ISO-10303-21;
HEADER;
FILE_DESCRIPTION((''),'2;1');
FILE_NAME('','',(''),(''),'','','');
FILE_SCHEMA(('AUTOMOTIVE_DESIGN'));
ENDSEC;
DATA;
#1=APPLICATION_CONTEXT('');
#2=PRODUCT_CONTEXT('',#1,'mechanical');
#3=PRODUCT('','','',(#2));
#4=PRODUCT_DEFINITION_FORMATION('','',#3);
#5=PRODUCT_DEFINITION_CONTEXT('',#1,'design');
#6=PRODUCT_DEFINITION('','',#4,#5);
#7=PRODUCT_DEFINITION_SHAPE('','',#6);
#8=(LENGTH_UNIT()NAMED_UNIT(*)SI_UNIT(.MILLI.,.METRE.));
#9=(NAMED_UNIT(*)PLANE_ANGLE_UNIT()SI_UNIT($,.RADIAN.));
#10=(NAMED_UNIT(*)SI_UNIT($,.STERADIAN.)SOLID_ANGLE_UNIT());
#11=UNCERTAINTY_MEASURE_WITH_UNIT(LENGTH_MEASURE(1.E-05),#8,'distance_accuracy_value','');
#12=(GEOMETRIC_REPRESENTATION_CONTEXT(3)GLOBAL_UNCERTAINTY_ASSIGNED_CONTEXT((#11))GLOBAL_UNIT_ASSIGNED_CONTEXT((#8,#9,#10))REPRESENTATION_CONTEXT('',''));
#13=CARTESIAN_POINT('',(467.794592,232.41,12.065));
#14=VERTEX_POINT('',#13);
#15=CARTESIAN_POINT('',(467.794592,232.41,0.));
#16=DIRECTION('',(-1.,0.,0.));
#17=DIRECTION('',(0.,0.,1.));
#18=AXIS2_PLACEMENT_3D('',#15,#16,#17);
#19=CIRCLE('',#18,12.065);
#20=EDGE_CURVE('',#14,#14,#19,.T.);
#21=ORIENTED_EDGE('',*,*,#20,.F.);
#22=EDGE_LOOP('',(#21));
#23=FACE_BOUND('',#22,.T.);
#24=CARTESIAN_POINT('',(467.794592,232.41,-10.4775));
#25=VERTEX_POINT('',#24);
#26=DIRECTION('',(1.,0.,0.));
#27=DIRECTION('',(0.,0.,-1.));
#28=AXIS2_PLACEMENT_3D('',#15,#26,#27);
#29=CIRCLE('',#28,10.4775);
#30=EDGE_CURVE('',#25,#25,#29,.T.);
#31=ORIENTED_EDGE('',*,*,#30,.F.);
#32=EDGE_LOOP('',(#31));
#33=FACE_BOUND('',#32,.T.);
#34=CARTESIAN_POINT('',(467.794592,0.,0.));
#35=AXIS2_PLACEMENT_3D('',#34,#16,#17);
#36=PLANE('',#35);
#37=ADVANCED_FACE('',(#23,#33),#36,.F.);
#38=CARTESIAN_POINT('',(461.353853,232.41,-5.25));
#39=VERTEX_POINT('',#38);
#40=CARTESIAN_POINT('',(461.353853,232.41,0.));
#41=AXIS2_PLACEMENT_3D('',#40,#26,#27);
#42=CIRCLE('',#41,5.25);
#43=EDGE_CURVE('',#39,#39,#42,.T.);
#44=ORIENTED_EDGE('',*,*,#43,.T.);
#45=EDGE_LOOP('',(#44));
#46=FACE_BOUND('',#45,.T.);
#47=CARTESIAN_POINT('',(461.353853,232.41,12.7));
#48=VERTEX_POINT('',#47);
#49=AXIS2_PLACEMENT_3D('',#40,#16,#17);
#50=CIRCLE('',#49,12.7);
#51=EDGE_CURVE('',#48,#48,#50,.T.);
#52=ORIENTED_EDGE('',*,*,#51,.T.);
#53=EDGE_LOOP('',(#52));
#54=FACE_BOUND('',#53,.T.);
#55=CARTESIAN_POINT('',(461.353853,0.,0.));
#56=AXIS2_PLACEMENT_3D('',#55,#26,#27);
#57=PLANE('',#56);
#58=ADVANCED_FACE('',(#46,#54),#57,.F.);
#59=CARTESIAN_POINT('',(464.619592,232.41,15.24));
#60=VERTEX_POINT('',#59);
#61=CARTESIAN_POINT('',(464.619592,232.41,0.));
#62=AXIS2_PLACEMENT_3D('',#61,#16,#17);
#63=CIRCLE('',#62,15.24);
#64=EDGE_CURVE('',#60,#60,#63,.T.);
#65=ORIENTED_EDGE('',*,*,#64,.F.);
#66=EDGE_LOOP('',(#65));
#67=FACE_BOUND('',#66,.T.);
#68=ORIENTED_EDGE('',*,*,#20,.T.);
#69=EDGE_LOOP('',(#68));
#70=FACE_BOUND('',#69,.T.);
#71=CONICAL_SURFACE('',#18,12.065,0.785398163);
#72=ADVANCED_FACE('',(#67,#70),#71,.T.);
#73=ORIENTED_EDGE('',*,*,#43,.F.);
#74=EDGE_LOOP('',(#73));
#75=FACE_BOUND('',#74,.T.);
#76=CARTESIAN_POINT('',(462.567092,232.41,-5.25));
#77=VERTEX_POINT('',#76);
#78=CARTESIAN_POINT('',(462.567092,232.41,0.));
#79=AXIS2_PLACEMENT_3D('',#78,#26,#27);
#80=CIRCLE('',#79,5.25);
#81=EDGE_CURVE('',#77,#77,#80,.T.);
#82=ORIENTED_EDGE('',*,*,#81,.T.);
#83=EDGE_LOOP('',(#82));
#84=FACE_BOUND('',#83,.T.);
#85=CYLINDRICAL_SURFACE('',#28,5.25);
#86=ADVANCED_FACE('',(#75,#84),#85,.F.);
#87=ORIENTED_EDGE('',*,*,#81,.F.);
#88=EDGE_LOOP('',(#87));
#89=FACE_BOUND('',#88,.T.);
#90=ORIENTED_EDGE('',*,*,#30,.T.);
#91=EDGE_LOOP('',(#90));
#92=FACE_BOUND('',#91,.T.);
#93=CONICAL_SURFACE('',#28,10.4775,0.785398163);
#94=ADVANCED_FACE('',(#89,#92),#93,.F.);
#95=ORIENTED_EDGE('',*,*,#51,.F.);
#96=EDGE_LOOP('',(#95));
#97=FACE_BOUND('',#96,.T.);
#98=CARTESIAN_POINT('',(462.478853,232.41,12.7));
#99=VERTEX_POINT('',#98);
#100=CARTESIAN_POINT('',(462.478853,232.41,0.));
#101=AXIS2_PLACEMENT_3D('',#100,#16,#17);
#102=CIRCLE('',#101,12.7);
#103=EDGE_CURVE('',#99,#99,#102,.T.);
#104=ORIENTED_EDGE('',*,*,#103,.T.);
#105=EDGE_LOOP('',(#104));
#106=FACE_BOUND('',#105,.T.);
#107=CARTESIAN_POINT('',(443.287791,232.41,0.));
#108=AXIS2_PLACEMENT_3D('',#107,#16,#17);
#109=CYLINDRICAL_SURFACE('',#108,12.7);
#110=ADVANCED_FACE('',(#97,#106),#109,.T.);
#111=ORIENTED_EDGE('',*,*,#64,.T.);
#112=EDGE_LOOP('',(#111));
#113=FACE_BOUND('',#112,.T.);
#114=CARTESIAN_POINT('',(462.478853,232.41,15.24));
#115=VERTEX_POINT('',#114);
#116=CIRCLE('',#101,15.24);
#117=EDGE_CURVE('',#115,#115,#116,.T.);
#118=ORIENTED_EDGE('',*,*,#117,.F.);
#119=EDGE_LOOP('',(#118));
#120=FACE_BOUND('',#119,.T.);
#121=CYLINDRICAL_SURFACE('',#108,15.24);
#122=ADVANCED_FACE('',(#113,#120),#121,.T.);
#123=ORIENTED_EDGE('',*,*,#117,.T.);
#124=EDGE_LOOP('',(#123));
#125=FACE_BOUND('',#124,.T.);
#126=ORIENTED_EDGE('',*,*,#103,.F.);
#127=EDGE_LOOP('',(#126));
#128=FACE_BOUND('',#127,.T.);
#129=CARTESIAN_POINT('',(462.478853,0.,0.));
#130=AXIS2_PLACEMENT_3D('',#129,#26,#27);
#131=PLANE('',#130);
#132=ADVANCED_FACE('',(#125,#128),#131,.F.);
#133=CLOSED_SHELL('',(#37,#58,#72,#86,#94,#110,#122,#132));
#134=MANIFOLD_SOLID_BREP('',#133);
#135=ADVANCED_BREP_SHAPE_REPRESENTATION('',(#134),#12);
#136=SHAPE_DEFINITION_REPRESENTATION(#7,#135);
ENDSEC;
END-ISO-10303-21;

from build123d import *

# Parameters (mm, degrees)
HOLE1_D           = 10.5
HOLE1_DEPTH       = 16.51
HOLE1_CSINK_D     = 20.955
HOLE1_CSINK_ANGLE = 90
HOLE1_TIP         = 3.15451825


with BuildPart() as part:
    # Sketch1 → Revolve1 (revolve)
    with BuildSketch(Plane.XY):
        Polygon((461.35385273, 245.11), (461.35385273, 232.41), (467.794592233, 232.41), (467.794592233, 244.475), (464.619592233, 247.65), (462.47885273, 247.65), (462.47885273, 245.11), align=None)
    revolve(axis=Axis((443.287790535, 232.41, 0), (1, 0, 0)))

    # Hole1
    with Locations(Plane(origin=(467.794592233, 0, 0), x_dir=(0, 0, -1), z_dir=(1, 0, 0))):
        with Locations((0, 232.41)):
            CounterSinkHole(HOLE1_D / 2, HOLE1_CSINK_D / 2, depth=HOLE1_DEPTH, counter_sink_angle=HOLE1_CSINK_ANGLE)
            with Locations((0, 0, -(HOLE1_DEPTH + HOLE1_TIP / 2))):  # 118° drill point
                Cone(0, HOLE1_D / 2, HOLE1_TIP, mode=Mode.SUBTRACT)


solid = part.part
